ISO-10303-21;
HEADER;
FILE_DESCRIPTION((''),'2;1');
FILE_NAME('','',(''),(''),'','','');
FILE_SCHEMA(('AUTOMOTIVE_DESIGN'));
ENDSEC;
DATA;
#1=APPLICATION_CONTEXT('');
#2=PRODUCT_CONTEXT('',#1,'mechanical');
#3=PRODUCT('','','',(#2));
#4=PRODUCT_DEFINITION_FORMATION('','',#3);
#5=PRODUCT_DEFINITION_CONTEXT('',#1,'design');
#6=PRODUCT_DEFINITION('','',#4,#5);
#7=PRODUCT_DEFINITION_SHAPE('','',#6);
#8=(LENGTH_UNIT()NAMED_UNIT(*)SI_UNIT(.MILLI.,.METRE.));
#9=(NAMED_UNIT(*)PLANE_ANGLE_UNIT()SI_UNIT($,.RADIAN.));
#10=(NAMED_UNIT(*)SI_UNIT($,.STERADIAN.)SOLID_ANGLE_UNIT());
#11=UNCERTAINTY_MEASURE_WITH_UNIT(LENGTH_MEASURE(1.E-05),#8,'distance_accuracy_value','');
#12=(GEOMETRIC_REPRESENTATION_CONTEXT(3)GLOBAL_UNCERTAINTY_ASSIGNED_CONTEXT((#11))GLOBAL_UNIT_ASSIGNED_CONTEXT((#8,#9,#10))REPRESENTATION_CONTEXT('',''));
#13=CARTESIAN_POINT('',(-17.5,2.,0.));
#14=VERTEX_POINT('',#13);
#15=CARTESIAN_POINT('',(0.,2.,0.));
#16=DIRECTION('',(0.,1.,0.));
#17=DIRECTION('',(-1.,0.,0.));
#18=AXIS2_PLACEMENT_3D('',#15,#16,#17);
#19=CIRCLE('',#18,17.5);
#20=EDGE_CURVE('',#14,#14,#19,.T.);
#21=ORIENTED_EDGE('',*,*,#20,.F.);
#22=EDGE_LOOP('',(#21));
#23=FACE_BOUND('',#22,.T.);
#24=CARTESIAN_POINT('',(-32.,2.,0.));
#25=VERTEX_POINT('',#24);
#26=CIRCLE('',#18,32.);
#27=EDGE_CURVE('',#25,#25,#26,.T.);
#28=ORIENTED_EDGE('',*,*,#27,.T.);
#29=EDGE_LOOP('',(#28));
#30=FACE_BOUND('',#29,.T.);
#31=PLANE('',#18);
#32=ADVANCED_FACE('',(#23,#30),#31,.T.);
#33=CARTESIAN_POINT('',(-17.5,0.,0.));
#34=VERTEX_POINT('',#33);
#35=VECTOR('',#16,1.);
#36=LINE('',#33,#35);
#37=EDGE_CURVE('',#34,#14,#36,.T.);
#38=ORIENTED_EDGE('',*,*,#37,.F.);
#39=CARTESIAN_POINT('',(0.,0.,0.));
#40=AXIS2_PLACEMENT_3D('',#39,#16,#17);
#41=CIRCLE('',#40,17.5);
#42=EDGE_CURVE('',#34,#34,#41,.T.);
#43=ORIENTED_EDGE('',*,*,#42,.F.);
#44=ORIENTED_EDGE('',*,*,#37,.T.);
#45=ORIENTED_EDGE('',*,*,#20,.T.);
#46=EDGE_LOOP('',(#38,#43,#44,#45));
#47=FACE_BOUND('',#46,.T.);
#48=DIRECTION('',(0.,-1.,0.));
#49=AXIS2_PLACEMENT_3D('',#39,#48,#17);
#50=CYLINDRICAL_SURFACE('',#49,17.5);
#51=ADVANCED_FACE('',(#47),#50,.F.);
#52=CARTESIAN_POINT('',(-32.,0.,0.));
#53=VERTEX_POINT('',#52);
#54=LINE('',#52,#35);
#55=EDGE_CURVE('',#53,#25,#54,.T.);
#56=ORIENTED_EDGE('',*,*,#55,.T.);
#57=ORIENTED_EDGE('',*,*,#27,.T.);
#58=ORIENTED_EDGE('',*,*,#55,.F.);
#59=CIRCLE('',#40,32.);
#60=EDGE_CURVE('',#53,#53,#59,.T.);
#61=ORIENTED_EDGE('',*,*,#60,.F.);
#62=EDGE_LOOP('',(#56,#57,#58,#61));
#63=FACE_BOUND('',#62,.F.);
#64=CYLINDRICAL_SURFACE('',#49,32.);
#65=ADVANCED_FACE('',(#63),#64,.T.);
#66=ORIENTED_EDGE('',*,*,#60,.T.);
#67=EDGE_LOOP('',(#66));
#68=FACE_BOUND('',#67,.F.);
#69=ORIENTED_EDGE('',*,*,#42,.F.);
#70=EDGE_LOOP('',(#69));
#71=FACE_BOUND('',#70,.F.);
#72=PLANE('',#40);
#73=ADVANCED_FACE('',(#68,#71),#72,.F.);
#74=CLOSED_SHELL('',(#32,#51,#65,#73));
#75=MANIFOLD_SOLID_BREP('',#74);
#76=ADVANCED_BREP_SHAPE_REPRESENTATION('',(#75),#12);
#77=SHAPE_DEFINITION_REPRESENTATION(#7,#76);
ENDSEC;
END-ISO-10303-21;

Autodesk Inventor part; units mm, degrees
ref_plane "YZ Plane" through (0, 0, 0) normal (1, 0, 0) x (0, 1, 0)
ref_plane "XZ Plane" through (0, 0, 0) normal (0, 1, 0) x (-1, 0, 0)
ref_plane "XY Plane" through (0, 0, 0) normal (0, 0, 1) x (1, 0, 0)
sketch "Эскиз1" plane through (0, 0, 0) normal (0, 1, 0) x (-1, 0, 0)
  circle A0 centre (0, 0) radius 32
  circle A1 centre (0, 0) radius 17.5
  dimension "d0" = 64
  dimension "d3" = 35
extrude "Выдавливание2" add sketch "Эскиз1" along normal blind 2
properties part number "Prostavka"
